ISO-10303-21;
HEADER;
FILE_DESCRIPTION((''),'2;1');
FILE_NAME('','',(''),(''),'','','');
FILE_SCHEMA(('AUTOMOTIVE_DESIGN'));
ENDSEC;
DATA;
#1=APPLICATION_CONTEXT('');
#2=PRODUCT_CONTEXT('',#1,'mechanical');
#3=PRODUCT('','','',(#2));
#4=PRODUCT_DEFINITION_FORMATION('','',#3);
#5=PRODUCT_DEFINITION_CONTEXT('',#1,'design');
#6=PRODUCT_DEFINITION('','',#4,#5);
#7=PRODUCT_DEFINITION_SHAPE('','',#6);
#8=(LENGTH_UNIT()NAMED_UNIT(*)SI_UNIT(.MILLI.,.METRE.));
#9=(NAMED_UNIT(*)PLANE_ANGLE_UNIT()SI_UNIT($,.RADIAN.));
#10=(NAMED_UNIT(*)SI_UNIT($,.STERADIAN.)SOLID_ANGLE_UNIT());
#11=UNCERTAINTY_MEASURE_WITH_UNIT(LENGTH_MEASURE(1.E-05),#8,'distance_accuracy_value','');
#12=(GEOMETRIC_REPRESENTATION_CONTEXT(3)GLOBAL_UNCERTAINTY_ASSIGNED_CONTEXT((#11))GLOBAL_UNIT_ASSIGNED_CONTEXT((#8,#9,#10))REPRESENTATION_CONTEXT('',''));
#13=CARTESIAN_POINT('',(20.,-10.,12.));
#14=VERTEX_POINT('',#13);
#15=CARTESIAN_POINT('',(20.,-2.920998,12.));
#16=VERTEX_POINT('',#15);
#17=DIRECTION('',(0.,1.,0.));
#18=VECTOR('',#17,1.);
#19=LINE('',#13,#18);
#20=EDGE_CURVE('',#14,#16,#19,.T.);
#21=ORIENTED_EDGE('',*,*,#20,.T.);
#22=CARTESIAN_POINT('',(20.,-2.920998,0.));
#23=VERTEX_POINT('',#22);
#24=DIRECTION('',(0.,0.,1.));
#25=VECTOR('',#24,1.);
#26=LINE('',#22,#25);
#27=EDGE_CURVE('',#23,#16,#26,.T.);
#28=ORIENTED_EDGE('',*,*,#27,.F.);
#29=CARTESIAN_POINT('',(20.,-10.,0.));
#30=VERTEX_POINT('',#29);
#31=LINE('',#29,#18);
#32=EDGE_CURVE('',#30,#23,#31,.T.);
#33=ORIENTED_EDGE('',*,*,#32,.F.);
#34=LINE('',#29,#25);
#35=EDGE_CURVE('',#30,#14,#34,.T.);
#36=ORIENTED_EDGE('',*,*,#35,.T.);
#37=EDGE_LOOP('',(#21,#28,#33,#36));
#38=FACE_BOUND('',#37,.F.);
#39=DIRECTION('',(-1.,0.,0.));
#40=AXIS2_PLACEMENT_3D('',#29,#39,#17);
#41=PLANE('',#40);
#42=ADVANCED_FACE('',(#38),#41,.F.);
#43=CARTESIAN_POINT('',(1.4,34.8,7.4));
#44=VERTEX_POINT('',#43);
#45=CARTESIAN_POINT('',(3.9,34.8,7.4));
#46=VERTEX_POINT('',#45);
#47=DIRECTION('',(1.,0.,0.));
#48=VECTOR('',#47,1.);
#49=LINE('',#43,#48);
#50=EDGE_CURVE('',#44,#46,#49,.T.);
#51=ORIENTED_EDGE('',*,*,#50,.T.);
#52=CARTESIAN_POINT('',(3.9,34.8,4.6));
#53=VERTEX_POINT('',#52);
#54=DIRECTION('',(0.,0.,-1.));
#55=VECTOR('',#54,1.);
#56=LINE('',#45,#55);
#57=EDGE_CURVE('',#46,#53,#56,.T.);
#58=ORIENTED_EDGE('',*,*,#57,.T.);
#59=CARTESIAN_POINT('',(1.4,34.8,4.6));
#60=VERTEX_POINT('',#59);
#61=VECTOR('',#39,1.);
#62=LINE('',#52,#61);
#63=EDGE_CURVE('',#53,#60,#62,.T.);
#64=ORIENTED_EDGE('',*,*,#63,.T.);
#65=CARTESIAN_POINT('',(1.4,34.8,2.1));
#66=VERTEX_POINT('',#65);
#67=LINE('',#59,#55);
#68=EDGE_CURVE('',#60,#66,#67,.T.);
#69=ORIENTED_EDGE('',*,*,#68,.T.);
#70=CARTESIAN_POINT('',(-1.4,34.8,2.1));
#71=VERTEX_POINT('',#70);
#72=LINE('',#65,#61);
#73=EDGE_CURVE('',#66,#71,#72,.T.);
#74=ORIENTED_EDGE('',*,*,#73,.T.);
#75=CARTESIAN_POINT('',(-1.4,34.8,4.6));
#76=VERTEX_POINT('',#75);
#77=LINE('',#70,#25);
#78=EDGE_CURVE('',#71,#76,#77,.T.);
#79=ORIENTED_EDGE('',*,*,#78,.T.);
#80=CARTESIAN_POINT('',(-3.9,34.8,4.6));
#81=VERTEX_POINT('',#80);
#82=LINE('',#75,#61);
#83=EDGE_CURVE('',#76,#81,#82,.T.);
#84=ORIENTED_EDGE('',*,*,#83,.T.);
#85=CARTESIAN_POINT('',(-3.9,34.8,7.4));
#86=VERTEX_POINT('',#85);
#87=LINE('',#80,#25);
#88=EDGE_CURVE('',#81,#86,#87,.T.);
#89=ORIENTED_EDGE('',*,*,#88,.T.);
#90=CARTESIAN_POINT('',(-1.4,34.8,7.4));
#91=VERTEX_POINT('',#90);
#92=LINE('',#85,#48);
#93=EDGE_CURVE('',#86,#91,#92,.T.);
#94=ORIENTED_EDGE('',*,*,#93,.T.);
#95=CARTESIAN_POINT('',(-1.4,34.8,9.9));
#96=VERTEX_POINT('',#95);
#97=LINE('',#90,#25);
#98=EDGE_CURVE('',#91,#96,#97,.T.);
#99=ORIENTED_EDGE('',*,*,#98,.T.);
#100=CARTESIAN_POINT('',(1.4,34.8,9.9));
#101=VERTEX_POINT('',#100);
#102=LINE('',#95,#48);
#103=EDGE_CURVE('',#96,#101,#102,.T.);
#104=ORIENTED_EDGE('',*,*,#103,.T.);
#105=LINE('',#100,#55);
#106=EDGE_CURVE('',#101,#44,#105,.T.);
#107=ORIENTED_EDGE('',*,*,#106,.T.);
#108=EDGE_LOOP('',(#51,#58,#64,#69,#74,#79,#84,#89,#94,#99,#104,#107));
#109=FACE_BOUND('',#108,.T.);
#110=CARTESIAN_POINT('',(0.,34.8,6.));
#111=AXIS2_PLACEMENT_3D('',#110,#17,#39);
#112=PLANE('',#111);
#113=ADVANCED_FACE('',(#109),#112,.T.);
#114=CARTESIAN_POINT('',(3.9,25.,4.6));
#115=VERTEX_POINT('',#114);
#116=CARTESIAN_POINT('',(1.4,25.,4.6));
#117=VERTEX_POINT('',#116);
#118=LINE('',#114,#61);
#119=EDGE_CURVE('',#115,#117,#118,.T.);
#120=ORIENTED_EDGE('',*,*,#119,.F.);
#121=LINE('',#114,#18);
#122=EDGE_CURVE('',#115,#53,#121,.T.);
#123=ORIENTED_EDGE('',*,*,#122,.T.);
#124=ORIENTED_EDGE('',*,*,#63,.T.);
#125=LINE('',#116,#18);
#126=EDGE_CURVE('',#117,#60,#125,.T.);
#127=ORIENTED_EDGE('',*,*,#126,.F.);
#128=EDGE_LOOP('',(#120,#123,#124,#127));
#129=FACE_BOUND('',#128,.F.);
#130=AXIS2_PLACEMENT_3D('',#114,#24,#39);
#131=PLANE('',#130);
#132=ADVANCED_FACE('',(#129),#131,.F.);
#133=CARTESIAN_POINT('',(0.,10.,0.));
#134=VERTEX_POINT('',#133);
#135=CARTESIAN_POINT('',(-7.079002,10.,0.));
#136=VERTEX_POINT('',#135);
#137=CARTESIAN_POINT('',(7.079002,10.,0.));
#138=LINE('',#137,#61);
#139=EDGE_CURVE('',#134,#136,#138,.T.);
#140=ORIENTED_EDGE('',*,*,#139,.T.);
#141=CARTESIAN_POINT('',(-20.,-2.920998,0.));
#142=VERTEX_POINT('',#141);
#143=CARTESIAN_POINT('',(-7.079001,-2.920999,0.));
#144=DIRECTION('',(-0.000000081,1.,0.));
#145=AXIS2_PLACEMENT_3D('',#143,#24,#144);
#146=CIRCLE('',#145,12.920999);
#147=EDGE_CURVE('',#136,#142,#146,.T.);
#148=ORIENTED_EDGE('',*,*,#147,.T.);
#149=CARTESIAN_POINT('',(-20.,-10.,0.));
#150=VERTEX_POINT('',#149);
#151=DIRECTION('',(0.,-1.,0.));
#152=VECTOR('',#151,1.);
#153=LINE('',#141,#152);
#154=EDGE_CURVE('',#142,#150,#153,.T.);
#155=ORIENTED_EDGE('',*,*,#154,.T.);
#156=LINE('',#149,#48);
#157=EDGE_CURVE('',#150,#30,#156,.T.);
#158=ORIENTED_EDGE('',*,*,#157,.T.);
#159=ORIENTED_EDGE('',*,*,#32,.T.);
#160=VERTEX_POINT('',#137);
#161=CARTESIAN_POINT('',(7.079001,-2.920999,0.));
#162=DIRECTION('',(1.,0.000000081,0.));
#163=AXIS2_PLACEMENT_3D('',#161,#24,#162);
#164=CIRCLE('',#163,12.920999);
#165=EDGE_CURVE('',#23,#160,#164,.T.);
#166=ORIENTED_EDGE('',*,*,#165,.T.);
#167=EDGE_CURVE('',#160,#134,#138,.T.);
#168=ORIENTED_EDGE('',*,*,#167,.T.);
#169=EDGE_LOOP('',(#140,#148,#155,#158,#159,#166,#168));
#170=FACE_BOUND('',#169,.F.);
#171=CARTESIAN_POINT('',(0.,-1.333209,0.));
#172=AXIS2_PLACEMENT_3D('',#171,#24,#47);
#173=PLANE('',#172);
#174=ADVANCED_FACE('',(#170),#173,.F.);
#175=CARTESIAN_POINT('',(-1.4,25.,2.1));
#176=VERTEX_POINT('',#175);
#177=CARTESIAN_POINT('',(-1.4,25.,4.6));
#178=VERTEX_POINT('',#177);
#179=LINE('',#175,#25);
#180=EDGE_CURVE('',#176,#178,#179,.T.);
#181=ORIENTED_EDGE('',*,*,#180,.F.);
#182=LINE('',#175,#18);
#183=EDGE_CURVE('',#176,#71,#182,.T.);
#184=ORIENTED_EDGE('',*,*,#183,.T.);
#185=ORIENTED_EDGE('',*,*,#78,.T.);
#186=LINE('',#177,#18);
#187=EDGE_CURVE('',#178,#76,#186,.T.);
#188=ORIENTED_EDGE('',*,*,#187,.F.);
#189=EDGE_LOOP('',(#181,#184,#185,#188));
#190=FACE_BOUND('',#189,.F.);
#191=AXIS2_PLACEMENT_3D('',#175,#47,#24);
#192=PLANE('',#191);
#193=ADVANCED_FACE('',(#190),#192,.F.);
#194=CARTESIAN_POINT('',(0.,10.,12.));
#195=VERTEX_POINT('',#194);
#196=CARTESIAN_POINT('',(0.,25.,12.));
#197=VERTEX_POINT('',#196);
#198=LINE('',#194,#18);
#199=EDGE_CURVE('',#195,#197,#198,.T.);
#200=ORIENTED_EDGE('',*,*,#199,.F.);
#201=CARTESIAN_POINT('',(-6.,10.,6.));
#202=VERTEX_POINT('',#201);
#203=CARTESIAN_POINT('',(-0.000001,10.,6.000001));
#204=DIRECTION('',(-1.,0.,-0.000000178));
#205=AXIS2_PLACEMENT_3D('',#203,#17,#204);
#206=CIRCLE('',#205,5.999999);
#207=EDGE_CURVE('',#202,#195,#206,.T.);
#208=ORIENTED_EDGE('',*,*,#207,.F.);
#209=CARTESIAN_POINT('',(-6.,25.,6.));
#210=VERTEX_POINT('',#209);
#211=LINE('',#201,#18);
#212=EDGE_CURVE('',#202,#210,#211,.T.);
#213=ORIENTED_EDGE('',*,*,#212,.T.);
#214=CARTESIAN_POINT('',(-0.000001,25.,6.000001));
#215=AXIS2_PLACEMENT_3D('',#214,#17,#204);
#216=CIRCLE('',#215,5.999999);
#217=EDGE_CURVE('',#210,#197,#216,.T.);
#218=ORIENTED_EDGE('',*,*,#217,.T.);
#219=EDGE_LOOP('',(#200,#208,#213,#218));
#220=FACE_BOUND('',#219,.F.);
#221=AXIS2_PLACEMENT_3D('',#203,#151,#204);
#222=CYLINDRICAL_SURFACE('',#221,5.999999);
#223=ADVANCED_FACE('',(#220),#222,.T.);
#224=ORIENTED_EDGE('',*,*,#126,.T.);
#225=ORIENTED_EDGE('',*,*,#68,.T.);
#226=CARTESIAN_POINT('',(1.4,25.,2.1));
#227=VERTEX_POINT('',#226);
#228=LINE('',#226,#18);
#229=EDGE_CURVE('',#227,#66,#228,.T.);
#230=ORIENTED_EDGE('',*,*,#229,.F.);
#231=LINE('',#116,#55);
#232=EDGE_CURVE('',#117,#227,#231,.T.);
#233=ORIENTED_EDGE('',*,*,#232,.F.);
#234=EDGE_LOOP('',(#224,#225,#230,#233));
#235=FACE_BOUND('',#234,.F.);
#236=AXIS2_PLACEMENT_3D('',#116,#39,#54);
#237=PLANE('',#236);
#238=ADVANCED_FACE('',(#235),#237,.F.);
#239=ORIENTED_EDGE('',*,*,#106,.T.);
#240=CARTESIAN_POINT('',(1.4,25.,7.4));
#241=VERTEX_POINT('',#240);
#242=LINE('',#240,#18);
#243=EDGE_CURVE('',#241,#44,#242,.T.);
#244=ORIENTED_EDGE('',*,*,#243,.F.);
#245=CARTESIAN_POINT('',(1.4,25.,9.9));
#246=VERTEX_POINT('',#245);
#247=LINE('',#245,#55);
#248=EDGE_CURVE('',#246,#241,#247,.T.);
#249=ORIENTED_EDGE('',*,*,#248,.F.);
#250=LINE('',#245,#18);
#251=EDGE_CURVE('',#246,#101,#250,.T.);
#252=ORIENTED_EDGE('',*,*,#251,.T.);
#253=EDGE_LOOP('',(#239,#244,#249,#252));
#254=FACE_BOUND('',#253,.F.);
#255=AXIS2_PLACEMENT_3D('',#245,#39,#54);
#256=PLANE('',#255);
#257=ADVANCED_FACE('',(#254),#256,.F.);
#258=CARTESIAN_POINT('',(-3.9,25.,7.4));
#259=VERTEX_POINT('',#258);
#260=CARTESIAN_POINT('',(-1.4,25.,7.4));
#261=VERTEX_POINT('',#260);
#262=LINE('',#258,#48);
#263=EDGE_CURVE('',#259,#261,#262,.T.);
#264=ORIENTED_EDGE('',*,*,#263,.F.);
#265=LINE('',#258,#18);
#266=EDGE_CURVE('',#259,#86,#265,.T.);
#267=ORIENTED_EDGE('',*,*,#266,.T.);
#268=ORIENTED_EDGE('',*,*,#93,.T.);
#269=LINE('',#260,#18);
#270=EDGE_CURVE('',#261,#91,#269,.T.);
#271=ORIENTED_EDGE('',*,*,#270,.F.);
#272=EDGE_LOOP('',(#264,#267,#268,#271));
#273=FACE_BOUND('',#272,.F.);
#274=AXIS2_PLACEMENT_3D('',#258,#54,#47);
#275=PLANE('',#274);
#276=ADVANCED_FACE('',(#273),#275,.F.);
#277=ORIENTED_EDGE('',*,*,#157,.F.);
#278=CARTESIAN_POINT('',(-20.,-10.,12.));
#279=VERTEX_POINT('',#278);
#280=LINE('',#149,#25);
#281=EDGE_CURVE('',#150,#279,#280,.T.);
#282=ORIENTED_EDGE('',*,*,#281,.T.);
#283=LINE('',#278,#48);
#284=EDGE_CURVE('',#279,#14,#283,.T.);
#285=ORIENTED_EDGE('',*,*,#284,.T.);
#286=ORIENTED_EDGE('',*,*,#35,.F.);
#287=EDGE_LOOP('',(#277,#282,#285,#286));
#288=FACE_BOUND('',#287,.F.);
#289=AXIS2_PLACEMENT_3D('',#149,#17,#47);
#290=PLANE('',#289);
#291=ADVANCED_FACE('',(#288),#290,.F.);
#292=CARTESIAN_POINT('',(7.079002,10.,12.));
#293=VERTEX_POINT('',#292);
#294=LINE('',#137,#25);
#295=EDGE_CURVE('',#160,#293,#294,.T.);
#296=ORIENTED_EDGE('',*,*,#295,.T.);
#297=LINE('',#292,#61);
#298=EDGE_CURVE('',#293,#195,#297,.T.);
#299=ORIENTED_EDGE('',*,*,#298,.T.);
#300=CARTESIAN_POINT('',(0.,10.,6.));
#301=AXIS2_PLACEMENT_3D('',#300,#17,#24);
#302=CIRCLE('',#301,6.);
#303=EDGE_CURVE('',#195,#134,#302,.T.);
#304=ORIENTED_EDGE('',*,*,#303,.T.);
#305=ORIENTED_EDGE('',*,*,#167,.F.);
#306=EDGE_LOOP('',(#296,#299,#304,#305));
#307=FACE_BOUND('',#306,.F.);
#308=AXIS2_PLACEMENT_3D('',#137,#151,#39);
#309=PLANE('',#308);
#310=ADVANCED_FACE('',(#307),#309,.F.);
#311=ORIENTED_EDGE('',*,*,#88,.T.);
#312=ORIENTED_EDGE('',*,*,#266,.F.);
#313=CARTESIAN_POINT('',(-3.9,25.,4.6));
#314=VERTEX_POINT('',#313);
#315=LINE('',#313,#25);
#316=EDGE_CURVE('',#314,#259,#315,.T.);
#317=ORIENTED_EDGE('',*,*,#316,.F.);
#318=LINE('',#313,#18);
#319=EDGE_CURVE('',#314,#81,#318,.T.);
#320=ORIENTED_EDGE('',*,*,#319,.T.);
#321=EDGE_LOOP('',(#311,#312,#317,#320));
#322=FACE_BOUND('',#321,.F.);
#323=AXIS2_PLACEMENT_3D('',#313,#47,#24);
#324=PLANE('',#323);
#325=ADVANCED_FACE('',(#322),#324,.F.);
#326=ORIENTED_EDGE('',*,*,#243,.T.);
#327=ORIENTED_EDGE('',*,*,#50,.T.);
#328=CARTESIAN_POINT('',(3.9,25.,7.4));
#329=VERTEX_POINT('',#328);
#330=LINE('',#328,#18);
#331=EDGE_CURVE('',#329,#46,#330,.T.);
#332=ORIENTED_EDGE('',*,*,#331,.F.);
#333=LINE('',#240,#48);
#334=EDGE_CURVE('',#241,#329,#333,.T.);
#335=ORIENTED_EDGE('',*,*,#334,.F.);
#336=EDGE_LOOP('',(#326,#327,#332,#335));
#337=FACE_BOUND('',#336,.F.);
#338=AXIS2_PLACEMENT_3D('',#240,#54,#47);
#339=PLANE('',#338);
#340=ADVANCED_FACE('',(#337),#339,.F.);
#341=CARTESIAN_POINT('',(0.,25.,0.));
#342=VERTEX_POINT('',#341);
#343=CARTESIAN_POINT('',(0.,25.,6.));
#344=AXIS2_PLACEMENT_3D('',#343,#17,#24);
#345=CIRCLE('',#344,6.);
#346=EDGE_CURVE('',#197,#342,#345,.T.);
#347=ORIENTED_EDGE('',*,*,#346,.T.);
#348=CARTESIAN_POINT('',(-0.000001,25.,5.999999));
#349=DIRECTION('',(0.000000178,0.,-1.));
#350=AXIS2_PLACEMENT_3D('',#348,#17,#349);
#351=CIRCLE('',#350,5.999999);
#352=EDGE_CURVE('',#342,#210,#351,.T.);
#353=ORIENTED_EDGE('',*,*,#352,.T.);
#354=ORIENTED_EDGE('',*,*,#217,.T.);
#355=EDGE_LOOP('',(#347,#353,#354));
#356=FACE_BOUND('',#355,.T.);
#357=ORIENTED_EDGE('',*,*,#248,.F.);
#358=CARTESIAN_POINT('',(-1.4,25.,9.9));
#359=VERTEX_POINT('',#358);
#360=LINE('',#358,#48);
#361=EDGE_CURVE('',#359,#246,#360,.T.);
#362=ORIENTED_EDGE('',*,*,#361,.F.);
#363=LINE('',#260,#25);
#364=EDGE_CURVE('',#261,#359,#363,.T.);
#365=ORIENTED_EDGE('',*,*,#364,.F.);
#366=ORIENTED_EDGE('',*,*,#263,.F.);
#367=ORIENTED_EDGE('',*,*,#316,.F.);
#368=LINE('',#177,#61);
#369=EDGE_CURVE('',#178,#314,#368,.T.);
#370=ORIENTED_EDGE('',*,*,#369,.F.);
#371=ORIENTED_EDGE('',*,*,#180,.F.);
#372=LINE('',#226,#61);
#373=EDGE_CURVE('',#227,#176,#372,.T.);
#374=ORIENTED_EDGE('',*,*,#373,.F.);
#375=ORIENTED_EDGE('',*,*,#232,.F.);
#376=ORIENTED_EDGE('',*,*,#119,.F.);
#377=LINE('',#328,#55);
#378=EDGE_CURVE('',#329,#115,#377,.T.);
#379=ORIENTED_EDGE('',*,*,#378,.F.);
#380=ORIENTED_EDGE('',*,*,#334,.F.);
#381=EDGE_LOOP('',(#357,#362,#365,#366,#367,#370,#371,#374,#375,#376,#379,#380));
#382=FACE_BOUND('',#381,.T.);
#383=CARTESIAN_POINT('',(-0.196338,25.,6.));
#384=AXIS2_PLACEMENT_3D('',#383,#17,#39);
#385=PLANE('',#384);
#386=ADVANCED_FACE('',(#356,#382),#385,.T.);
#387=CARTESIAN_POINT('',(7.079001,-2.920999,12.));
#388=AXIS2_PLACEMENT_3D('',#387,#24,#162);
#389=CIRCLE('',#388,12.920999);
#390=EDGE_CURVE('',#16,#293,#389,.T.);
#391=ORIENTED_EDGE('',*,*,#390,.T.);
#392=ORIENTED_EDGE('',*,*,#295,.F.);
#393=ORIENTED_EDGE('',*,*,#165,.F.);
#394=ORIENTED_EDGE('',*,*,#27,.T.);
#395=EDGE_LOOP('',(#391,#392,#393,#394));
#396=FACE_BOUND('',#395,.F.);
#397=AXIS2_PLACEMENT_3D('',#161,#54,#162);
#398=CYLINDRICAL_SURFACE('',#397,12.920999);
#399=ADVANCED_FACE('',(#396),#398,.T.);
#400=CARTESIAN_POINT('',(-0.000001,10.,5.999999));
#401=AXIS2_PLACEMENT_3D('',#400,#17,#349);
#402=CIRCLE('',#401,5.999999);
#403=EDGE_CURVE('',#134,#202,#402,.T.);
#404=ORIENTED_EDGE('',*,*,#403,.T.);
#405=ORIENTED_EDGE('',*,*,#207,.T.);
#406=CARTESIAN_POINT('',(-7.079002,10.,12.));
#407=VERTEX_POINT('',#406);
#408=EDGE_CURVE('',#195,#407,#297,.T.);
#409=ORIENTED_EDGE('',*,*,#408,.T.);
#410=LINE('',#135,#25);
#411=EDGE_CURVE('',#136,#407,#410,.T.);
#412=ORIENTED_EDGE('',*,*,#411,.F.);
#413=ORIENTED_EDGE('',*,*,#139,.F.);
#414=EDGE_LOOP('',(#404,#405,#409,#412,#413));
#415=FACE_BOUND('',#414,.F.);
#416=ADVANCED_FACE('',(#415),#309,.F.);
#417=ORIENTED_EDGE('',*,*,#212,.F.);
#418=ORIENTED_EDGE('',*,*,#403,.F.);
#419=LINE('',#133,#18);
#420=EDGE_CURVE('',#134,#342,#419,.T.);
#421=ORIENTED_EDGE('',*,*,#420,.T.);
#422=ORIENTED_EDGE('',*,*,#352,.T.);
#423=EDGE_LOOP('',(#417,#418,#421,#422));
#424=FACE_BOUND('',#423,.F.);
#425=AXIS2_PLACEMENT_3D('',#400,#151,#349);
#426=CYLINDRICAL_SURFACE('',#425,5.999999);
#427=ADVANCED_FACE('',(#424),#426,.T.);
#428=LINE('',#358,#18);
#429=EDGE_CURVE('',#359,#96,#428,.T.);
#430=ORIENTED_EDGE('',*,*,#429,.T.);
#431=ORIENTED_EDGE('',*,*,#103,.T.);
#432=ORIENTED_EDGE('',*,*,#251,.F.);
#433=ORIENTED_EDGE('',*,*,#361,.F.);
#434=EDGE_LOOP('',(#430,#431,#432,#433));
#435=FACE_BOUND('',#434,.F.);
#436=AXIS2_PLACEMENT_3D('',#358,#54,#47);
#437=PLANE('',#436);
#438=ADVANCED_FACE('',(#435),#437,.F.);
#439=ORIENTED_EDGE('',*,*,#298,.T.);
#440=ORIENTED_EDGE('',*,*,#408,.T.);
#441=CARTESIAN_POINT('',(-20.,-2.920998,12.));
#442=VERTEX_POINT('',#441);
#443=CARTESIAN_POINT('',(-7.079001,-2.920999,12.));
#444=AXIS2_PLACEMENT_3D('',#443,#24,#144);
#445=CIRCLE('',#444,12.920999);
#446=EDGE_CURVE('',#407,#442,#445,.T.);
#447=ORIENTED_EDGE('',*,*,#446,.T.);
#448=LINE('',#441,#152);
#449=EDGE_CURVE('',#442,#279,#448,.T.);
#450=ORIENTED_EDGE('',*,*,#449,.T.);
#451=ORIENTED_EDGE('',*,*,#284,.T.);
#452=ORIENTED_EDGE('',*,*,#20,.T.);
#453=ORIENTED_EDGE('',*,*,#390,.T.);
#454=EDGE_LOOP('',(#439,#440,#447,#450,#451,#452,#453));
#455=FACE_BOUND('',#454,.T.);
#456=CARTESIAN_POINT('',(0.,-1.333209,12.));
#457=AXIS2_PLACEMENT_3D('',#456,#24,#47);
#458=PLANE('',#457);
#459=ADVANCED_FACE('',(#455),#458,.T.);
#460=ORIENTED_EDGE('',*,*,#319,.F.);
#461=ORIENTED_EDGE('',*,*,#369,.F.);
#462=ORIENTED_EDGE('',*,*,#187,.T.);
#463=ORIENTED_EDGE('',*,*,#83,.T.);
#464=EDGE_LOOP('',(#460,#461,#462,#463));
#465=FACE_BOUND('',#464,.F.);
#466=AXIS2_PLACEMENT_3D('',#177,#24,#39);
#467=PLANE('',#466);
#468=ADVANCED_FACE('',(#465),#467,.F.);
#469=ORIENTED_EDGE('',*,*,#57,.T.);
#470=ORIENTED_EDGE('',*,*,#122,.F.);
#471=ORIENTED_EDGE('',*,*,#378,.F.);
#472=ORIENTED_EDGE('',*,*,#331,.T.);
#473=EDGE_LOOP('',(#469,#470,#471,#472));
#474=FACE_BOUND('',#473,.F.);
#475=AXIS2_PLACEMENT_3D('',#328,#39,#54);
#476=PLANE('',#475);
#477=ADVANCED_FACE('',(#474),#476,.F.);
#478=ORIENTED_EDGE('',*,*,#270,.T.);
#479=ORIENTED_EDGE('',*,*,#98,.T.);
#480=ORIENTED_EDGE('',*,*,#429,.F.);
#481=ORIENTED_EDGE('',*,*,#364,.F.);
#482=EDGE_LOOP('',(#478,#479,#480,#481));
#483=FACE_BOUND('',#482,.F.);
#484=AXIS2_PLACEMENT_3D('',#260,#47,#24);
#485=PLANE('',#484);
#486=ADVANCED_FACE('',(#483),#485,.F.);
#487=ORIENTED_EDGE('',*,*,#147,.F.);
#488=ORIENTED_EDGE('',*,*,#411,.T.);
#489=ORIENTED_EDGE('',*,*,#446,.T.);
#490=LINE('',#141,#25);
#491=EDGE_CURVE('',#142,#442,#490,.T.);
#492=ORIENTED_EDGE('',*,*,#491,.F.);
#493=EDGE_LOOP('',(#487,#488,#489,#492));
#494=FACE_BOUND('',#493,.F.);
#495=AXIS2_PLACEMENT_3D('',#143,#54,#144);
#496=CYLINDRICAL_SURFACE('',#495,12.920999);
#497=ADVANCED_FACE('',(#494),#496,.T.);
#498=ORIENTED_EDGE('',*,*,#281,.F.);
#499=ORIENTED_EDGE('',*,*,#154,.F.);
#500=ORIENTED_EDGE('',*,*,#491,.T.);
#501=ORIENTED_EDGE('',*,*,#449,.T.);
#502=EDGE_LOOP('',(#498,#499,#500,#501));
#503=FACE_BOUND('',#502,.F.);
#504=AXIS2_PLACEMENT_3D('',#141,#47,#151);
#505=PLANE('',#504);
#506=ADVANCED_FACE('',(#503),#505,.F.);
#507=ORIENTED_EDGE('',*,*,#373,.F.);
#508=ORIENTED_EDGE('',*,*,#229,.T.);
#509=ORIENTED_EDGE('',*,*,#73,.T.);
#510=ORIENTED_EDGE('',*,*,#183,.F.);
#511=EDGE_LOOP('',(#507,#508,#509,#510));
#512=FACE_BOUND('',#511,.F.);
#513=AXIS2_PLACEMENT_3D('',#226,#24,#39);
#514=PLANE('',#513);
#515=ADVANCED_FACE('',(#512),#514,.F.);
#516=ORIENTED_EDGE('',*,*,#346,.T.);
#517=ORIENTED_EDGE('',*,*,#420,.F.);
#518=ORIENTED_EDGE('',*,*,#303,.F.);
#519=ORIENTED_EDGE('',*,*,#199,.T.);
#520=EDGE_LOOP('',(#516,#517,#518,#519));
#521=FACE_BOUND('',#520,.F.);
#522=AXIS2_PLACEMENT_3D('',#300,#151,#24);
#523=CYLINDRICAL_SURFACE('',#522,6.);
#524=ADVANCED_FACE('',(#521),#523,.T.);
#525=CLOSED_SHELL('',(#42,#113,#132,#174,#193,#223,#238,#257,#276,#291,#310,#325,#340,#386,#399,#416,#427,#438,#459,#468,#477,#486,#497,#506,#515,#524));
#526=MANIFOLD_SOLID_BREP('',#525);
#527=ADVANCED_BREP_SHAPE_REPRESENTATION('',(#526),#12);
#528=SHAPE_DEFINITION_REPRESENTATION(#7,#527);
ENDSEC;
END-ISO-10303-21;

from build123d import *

# Parameters (mm, degrees)
F1_DEPTH = 12
F3_DEPTH = 15
F5_DEPTH = 9.8


with BuildPart() as f1:
    # F0 (on Top) → F1 (new body)
    with BuildSketch(Plane.XY):
        with BuildLine():
            Line((-20, -10), (-7.079002, -10))
            Line((-7.079002, -10), (7.079002, -10))
            Line((7.079002, -10), (20, -10))
            Line((20, -10), (20, -2.920998))
            ThreePointArc((20, -2.920998), (16.215527, 6.215527), (7.079002, 10))
            Line((7.079002, 10), (-7.079002, 10))
            ThreePointArc((-7.079002, 10), (-16.215527, 6.215527), (-20, -2.920998))
            Line((-20, -2.920998), (-20, -10))
        make_face()
    extrude(amount=F1_DEPTH)

    # F2 (on face) → F3 (join)
    with BuildSketch(Plane(origin=(0, 10, 0), x_dir=(-1, 0, 0), z_dir=(0, 1, 0))):
        with BuildLine():
            ThreePointArc((0, 0), (4.242641, 1.757359), (6, 6))
            ThreePointArc((6, 6), (4.242641, 10.242641), (0, 12))
            ThreePointArc((0, 12), (-6, 6), (0, 0))
        make_face()
    extrude(amount=F3_DEPTH)

    # F4 (on face) → F5 (join)
    with BuildSketch(Plane(origin=(0, 25, 0), x_dir=(-1, 0, 0), z_dir=(0, 1, 0))):
        Polygon((-3.9, 7.4), (-3.9, 4.6), (-1.4, 4.6), (-1.4, 2.1), (1.4, 2.1), (1.4, 4.6), (3.9, 4.6), (3.9, 7.4), (1.4, 7.4), (1.4, 9.9), (-1.4, 9.9), (-1.4, 7.4), align=None)
    extrude(amount=F5_DEPTH)


solid = f1.part
